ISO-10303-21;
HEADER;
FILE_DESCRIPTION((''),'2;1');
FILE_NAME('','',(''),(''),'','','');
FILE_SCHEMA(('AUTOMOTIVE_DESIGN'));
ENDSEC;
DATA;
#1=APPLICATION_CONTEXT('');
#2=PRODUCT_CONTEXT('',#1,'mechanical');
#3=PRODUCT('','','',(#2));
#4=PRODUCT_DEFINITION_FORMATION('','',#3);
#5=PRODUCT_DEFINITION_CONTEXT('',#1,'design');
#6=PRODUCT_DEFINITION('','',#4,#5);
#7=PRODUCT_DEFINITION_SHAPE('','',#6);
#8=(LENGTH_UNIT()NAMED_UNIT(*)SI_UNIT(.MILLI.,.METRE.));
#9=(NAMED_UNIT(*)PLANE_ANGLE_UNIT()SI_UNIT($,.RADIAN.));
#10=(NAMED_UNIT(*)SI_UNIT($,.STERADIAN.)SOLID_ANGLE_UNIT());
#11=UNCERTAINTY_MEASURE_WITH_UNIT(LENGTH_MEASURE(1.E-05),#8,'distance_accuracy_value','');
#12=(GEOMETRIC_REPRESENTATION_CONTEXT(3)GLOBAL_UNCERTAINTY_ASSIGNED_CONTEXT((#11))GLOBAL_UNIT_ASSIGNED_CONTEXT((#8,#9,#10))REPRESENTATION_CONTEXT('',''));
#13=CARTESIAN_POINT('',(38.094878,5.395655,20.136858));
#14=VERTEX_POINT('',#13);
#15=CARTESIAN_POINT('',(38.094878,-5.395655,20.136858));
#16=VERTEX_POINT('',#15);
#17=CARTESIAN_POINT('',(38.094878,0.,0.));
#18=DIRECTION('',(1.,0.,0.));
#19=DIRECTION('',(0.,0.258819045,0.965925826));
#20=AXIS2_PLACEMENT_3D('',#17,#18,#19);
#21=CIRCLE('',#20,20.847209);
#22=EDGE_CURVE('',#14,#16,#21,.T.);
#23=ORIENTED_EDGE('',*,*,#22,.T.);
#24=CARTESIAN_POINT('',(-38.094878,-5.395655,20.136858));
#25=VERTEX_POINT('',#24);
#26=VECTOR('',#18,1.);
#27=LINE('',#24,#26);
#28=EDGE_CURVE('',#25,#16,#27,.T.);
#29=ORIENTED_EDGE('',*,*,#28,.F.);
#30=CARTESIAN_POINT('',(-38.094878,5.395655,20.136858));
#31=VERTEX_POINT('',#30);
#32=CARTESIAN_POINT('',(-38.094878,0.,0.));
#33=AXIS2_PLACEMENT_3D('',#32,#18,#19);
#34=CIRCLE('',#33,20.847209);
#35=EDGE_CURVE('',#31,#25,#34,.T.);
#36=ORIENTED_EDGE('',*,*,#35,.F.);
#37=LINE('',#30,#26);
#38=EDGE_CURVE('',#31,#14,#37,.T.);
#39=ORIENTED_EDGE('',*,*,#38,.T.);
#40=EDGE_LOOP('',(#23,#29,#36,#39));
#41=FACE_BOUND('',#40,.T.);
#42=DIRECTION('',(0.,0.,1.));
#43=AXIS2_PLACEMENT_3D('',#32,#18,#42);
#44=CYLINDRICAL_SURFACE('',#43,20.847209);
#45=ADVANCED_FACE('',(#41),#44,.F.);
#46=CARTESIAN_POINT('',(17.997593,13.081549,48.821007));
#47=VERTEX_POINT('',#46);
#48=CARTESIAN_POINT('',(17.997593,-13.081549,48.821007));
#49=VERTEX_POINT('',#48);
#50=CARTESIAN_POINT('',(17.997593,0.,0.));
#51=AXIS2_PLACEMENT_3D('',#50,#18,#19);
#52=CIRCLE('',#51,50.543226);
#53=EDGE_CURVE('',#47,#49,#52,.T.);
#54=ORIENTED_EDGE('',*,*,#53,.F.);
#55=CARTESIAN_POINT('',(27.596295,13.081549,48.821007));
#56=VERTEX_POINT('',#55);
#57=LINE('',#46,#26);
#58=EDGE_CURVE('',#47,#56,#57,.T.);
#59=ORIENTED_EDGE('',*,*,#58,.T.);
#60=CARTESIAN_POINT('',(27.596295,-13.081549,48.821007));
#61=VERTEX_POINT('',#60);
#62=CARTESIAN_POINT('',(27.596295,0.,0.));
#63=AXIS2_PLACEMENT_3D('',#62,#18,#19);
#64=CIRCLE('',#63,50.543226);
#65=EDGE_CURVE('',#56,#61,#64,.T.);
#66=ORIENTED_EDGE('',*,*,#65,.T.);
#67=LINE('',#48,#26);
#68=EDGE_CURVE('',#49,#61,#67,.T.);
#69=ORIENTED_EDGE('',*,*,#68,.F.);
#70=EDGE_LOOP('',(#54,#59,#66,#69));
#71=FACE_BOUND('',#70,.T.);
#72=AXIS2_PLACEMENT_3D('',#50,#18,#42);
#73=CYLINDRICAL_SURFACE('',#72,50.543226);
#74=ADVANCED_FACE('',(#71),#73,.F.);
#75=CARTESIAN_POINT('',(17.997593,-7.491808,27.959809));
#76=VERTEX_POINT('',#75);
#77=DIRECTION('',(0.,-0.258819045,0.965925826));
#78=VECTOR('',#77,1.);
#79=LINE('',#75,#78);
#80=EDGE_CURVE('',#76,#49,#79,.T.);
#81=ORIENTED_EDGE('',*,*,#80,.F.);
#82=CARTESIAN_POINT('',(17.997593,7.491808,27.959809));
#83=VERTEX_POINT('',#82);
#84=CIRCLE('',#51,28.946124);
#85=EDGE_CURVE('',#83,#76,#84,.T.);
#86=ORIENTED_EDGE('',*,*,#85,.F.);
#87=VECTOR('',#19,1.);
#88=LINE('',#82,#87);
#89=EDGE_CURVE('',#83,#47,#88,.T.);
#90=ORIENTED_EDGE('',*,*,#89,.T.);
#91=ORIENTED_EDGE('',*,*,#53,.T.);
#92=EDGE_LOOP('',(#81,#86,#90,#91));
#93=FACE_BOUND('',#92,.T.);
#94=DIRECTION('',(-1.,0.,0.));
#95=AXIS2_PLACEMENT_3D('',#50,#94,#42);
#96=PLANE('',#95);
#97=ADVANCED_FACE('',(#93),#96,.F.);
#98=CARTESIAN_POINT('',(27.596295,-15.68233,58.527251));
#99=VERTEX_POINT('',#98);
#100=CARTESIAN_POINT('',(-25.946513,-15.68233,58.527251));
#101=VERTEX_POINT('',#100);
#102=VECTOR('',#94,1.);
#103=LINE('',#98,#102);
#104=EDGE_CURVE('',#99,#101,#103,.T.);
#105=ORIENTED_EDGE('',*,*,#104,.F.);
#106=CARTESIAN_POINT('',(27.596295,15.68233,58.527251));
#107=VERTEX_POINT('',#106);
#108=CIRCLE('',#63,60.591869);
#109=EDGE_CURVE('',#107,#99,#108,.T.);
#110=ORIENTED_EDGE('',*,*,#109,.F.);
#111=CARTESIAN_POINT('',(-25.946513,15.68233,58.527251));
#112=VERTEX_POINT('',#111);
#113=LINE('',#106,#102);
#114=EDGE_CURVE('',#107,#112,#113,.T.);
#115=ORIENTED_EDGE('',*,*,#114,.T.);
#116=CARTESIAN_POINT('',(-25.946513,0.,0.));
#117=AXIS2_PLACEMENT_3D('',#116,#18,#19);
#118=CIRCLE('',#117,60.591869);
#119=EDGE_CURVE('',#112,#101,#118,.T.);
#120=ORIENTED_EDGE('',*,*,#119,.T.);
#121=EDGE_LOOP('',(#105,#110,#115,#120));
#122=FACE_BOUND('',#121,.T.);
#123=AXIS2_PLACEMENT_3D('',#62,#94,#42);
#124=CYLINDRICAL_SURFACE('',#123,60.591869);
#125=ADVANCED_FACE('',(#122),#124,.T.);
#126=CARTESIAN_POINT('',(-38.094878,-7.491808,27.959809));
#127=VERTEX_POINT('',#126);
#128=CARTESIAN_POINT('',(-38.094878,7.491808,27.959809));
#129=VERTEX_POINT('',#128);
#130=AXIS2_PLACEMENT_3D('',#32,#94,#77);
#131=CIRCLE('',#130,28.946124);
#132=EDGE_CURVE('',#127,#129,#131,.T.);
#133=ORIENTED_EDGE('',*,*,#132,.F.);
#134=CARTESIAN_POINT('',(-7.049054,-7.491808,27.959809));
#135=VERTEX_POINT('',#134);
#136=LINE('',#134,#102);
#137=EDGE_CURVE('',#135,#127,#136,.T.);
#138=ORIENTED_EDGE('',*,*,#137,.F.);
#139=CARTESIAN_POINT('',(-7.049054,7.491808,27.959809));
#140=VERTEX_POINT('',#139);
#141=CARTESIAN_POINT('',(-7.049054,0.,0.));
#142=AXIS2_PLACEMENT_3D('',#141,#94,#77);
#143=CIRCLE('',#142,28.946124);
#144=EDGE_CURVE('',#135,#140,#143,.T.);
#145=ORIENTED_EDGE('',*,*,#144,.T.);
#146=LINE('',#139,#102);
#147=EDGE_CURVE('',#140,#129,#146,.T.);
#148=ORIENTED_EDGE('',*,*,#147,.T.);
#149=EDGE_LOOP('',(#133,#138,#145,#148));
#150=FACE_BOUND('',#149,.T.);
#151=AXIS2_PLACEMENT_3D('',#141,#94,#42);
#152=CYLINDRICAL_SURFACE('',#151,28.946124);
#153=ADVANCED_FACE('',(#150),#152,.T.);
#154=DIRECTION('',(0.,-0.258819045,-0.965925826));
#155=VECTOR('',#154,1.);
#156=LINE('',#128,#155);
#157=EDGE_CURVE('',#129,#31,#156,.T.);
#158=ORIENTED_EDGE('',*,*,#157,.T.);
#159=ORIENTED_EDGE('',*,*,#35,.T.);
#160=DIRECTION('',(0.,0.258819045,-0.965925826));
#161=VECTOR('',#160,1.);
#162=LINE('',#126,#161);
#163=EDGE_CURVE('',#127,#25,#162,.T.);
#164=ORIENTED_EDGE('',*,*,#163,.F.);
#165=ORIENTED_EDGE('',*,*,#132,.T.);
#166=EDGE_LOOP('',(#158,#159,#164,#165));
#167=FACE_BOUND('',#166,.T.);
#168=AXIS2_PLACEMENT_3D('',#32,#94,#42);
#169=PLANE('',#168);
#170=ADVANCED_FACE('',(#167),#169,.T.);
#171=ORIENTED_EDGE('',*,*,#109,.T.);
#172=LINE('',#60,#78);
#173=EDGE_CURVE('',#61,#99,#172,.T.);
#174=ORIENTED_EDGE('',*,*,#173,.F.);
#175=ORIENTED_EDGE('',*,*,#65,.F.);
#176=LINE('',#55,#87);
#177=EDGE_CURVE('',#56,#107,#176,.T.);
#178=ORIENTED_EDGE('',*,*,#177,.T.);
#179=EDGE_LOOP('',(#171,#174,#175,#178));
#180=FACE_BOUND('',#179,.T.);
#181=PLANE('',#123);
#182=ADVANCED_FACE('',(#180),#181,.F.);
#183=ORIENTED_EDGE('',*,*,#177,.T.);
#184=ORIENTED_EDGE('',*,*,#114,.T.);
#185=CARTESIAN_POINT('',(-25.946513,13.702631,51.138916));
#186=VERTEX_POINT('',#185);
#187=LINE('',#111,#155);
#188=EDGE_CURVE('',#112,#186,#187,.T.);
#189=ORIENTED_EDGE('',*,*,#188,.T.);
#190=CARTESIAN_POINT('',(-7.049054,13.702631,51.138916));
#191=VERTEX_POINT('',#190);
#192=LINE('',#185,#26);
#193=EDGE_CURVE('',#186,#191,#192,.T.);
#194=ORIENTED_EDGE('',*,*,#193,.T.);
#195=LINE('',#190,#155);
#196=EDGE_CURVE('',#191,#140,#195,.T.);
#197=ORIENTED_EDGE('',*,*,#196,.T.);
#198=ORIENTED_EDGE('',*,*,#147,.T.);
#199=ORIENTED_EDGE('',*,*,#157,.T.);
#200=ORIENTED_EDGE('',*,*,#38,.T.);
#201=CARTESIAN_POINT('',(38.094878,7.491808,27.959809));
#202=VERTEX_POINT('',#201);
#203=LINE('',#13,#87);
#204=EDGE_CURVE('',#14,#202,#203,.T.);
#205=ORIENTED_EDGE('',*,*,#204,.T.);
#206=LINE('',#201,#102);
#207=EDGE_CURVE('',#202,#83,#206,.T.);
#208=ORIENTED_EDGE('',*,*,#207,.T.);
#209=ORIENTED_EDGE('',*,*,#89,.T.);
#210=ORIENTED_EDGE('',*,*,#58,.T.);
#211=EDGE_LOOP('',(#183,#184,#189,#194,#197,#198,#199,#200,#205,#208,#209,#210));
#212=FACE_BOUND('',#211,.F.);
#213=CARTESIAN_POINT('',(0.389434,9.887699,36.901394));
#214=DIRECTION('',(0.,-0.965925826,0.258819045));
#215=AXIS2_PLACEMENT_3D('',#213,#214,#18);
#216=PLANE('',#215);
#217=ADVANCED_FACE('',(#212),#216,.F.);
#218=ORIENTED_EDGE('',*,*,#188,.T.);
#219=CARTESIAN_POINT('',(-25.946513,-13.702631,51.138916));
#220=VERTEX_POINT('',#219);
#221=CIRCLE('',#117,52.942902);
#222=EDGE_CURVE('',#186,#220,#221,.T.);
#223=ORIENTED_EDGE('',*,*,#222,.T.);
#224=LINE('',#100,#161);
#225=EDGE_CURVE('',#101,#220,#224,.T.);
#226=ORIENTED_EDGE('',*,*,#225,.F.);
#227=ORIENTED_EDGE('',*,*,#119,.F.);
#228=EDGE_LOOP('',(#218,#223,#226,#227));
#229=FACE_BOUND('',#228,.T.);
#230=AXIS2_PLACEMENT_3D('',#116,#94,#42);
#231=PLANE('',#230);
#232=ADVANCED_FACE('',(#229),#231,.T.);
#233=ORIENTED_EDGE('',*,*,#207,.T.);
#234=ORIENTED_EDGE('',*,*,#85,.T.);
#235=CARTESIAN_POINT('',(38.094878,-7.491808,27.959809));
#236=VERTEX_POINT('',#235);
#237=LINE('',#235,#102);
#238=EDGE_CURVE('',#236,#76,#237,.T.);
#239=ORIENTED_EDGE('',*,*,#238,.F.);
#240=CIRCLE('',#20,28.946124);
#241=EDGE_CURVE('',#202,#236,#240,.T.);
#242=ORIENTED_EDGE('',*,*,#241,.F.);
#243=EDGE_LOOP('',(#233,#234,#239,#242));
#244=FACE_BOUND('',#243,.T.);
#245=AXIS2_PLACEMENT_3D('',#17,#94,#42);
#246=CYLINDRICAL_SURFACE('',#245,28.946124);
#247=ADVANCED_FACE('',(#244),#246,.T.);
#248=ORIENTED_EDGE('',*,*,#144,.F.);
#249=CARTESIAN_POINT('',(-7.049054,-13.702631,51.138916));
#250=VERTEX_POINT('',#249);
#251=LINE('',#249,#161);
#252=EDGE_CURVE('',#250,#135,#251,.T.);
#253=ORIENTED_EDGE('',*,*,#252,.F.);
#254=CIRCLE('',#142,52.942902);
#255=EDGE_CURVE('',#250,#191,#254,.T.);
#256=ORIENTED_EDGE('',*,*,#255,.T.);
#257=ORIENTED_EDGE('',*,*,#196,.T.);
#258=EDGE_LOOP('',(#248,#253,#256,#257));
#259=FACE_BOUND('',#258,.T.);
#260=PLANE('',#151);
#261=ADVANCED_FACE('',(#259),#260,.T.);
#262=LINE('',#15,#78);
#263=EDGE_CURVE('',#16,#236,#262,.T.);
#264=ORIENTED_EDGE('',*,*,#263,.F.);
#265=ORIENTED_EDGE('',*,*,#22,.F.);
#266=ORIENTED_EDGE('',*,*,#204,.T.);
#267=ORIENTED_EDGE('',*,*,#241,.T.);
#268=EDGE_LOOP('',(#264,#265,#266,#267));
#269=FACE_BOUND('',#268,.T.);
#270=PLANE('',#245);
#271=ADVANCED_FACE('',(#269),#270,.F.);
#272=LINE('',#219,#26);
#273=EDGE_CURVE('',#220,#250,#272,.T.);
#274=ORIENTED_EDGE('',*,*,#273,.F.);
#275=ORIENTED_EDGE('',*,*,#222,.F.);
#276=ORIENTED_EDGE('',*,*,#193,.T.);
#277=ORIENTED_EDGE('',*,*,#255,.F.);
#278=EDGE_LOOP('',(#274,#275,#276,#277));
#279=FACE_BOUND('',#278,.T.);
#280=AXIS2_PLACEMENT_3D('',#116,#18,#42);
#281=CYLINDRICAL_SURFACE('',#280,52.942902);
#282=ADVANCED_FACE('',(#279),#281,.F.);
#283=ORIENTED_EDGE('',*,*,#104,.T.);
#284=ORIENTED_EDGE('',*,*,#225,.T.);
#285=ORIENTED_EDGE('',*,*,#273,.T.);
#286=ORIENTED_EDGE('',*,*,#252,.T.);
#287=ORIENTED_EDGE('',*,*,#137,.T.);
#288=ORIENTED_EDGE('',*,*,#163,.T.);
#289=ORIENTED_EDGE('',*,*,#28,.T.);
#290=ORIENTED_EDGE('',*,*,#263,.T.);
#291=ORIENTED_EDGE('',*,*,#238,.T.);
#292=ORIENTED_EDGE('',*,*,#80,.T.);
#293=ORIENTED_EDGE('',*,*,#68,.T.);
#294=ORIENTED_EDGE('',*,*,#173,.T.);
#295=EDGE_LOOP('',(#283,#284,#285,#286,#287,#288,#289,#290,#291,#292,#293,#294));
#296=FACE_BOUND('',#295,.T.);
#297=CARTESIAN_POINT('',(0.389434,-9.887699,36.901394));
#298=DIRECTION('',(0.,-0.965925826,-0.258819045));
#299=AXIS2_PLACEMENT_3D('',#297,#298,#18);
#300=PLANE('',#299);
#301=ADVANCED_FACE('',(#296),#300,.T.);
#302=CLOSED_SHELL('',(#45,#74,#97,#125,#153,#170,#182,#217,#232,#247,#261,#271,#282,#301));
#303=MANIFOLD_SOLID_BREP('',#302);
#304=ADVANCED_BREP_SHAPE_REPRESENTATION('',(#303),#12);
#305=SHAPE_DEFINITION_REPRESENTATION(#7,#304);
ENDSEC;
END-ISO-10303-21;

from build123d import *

# Parameters (mm, degrees)
F1_ANGLE = 30


with BuildPart() as f1:
    # F0 (on Front) → F1 (revolve, symmetric)
    with BuildSketch(Plane.XZ) as f1_sk:
        Polygon((-38.094878, 28.946124), (-38.094878, 20.847209), (38.094878, 20.847209), (38.094878, 28.946124), (17.997593, 28.946124), (17.997593, 50.543226), (27.596295, 50.543226), (27.596295, 60.591869), (-25.946513, 60.591869), (-25.946513, 52.942902), (-7.049054, 52.942902), (-7.049054, 28.946124), align=None)
    revolve(axis=Axis((1.79977, 0, 0), (1, 0, 0)), revolution_arc=F1_ANGLE / 2)
    revolve(f1_sk.sketch, axis=Axis((1.79977, 0, 0), (-1, 0, 0)), revolution_arc=F1_ANGLE / 2)


solid = f1.part
